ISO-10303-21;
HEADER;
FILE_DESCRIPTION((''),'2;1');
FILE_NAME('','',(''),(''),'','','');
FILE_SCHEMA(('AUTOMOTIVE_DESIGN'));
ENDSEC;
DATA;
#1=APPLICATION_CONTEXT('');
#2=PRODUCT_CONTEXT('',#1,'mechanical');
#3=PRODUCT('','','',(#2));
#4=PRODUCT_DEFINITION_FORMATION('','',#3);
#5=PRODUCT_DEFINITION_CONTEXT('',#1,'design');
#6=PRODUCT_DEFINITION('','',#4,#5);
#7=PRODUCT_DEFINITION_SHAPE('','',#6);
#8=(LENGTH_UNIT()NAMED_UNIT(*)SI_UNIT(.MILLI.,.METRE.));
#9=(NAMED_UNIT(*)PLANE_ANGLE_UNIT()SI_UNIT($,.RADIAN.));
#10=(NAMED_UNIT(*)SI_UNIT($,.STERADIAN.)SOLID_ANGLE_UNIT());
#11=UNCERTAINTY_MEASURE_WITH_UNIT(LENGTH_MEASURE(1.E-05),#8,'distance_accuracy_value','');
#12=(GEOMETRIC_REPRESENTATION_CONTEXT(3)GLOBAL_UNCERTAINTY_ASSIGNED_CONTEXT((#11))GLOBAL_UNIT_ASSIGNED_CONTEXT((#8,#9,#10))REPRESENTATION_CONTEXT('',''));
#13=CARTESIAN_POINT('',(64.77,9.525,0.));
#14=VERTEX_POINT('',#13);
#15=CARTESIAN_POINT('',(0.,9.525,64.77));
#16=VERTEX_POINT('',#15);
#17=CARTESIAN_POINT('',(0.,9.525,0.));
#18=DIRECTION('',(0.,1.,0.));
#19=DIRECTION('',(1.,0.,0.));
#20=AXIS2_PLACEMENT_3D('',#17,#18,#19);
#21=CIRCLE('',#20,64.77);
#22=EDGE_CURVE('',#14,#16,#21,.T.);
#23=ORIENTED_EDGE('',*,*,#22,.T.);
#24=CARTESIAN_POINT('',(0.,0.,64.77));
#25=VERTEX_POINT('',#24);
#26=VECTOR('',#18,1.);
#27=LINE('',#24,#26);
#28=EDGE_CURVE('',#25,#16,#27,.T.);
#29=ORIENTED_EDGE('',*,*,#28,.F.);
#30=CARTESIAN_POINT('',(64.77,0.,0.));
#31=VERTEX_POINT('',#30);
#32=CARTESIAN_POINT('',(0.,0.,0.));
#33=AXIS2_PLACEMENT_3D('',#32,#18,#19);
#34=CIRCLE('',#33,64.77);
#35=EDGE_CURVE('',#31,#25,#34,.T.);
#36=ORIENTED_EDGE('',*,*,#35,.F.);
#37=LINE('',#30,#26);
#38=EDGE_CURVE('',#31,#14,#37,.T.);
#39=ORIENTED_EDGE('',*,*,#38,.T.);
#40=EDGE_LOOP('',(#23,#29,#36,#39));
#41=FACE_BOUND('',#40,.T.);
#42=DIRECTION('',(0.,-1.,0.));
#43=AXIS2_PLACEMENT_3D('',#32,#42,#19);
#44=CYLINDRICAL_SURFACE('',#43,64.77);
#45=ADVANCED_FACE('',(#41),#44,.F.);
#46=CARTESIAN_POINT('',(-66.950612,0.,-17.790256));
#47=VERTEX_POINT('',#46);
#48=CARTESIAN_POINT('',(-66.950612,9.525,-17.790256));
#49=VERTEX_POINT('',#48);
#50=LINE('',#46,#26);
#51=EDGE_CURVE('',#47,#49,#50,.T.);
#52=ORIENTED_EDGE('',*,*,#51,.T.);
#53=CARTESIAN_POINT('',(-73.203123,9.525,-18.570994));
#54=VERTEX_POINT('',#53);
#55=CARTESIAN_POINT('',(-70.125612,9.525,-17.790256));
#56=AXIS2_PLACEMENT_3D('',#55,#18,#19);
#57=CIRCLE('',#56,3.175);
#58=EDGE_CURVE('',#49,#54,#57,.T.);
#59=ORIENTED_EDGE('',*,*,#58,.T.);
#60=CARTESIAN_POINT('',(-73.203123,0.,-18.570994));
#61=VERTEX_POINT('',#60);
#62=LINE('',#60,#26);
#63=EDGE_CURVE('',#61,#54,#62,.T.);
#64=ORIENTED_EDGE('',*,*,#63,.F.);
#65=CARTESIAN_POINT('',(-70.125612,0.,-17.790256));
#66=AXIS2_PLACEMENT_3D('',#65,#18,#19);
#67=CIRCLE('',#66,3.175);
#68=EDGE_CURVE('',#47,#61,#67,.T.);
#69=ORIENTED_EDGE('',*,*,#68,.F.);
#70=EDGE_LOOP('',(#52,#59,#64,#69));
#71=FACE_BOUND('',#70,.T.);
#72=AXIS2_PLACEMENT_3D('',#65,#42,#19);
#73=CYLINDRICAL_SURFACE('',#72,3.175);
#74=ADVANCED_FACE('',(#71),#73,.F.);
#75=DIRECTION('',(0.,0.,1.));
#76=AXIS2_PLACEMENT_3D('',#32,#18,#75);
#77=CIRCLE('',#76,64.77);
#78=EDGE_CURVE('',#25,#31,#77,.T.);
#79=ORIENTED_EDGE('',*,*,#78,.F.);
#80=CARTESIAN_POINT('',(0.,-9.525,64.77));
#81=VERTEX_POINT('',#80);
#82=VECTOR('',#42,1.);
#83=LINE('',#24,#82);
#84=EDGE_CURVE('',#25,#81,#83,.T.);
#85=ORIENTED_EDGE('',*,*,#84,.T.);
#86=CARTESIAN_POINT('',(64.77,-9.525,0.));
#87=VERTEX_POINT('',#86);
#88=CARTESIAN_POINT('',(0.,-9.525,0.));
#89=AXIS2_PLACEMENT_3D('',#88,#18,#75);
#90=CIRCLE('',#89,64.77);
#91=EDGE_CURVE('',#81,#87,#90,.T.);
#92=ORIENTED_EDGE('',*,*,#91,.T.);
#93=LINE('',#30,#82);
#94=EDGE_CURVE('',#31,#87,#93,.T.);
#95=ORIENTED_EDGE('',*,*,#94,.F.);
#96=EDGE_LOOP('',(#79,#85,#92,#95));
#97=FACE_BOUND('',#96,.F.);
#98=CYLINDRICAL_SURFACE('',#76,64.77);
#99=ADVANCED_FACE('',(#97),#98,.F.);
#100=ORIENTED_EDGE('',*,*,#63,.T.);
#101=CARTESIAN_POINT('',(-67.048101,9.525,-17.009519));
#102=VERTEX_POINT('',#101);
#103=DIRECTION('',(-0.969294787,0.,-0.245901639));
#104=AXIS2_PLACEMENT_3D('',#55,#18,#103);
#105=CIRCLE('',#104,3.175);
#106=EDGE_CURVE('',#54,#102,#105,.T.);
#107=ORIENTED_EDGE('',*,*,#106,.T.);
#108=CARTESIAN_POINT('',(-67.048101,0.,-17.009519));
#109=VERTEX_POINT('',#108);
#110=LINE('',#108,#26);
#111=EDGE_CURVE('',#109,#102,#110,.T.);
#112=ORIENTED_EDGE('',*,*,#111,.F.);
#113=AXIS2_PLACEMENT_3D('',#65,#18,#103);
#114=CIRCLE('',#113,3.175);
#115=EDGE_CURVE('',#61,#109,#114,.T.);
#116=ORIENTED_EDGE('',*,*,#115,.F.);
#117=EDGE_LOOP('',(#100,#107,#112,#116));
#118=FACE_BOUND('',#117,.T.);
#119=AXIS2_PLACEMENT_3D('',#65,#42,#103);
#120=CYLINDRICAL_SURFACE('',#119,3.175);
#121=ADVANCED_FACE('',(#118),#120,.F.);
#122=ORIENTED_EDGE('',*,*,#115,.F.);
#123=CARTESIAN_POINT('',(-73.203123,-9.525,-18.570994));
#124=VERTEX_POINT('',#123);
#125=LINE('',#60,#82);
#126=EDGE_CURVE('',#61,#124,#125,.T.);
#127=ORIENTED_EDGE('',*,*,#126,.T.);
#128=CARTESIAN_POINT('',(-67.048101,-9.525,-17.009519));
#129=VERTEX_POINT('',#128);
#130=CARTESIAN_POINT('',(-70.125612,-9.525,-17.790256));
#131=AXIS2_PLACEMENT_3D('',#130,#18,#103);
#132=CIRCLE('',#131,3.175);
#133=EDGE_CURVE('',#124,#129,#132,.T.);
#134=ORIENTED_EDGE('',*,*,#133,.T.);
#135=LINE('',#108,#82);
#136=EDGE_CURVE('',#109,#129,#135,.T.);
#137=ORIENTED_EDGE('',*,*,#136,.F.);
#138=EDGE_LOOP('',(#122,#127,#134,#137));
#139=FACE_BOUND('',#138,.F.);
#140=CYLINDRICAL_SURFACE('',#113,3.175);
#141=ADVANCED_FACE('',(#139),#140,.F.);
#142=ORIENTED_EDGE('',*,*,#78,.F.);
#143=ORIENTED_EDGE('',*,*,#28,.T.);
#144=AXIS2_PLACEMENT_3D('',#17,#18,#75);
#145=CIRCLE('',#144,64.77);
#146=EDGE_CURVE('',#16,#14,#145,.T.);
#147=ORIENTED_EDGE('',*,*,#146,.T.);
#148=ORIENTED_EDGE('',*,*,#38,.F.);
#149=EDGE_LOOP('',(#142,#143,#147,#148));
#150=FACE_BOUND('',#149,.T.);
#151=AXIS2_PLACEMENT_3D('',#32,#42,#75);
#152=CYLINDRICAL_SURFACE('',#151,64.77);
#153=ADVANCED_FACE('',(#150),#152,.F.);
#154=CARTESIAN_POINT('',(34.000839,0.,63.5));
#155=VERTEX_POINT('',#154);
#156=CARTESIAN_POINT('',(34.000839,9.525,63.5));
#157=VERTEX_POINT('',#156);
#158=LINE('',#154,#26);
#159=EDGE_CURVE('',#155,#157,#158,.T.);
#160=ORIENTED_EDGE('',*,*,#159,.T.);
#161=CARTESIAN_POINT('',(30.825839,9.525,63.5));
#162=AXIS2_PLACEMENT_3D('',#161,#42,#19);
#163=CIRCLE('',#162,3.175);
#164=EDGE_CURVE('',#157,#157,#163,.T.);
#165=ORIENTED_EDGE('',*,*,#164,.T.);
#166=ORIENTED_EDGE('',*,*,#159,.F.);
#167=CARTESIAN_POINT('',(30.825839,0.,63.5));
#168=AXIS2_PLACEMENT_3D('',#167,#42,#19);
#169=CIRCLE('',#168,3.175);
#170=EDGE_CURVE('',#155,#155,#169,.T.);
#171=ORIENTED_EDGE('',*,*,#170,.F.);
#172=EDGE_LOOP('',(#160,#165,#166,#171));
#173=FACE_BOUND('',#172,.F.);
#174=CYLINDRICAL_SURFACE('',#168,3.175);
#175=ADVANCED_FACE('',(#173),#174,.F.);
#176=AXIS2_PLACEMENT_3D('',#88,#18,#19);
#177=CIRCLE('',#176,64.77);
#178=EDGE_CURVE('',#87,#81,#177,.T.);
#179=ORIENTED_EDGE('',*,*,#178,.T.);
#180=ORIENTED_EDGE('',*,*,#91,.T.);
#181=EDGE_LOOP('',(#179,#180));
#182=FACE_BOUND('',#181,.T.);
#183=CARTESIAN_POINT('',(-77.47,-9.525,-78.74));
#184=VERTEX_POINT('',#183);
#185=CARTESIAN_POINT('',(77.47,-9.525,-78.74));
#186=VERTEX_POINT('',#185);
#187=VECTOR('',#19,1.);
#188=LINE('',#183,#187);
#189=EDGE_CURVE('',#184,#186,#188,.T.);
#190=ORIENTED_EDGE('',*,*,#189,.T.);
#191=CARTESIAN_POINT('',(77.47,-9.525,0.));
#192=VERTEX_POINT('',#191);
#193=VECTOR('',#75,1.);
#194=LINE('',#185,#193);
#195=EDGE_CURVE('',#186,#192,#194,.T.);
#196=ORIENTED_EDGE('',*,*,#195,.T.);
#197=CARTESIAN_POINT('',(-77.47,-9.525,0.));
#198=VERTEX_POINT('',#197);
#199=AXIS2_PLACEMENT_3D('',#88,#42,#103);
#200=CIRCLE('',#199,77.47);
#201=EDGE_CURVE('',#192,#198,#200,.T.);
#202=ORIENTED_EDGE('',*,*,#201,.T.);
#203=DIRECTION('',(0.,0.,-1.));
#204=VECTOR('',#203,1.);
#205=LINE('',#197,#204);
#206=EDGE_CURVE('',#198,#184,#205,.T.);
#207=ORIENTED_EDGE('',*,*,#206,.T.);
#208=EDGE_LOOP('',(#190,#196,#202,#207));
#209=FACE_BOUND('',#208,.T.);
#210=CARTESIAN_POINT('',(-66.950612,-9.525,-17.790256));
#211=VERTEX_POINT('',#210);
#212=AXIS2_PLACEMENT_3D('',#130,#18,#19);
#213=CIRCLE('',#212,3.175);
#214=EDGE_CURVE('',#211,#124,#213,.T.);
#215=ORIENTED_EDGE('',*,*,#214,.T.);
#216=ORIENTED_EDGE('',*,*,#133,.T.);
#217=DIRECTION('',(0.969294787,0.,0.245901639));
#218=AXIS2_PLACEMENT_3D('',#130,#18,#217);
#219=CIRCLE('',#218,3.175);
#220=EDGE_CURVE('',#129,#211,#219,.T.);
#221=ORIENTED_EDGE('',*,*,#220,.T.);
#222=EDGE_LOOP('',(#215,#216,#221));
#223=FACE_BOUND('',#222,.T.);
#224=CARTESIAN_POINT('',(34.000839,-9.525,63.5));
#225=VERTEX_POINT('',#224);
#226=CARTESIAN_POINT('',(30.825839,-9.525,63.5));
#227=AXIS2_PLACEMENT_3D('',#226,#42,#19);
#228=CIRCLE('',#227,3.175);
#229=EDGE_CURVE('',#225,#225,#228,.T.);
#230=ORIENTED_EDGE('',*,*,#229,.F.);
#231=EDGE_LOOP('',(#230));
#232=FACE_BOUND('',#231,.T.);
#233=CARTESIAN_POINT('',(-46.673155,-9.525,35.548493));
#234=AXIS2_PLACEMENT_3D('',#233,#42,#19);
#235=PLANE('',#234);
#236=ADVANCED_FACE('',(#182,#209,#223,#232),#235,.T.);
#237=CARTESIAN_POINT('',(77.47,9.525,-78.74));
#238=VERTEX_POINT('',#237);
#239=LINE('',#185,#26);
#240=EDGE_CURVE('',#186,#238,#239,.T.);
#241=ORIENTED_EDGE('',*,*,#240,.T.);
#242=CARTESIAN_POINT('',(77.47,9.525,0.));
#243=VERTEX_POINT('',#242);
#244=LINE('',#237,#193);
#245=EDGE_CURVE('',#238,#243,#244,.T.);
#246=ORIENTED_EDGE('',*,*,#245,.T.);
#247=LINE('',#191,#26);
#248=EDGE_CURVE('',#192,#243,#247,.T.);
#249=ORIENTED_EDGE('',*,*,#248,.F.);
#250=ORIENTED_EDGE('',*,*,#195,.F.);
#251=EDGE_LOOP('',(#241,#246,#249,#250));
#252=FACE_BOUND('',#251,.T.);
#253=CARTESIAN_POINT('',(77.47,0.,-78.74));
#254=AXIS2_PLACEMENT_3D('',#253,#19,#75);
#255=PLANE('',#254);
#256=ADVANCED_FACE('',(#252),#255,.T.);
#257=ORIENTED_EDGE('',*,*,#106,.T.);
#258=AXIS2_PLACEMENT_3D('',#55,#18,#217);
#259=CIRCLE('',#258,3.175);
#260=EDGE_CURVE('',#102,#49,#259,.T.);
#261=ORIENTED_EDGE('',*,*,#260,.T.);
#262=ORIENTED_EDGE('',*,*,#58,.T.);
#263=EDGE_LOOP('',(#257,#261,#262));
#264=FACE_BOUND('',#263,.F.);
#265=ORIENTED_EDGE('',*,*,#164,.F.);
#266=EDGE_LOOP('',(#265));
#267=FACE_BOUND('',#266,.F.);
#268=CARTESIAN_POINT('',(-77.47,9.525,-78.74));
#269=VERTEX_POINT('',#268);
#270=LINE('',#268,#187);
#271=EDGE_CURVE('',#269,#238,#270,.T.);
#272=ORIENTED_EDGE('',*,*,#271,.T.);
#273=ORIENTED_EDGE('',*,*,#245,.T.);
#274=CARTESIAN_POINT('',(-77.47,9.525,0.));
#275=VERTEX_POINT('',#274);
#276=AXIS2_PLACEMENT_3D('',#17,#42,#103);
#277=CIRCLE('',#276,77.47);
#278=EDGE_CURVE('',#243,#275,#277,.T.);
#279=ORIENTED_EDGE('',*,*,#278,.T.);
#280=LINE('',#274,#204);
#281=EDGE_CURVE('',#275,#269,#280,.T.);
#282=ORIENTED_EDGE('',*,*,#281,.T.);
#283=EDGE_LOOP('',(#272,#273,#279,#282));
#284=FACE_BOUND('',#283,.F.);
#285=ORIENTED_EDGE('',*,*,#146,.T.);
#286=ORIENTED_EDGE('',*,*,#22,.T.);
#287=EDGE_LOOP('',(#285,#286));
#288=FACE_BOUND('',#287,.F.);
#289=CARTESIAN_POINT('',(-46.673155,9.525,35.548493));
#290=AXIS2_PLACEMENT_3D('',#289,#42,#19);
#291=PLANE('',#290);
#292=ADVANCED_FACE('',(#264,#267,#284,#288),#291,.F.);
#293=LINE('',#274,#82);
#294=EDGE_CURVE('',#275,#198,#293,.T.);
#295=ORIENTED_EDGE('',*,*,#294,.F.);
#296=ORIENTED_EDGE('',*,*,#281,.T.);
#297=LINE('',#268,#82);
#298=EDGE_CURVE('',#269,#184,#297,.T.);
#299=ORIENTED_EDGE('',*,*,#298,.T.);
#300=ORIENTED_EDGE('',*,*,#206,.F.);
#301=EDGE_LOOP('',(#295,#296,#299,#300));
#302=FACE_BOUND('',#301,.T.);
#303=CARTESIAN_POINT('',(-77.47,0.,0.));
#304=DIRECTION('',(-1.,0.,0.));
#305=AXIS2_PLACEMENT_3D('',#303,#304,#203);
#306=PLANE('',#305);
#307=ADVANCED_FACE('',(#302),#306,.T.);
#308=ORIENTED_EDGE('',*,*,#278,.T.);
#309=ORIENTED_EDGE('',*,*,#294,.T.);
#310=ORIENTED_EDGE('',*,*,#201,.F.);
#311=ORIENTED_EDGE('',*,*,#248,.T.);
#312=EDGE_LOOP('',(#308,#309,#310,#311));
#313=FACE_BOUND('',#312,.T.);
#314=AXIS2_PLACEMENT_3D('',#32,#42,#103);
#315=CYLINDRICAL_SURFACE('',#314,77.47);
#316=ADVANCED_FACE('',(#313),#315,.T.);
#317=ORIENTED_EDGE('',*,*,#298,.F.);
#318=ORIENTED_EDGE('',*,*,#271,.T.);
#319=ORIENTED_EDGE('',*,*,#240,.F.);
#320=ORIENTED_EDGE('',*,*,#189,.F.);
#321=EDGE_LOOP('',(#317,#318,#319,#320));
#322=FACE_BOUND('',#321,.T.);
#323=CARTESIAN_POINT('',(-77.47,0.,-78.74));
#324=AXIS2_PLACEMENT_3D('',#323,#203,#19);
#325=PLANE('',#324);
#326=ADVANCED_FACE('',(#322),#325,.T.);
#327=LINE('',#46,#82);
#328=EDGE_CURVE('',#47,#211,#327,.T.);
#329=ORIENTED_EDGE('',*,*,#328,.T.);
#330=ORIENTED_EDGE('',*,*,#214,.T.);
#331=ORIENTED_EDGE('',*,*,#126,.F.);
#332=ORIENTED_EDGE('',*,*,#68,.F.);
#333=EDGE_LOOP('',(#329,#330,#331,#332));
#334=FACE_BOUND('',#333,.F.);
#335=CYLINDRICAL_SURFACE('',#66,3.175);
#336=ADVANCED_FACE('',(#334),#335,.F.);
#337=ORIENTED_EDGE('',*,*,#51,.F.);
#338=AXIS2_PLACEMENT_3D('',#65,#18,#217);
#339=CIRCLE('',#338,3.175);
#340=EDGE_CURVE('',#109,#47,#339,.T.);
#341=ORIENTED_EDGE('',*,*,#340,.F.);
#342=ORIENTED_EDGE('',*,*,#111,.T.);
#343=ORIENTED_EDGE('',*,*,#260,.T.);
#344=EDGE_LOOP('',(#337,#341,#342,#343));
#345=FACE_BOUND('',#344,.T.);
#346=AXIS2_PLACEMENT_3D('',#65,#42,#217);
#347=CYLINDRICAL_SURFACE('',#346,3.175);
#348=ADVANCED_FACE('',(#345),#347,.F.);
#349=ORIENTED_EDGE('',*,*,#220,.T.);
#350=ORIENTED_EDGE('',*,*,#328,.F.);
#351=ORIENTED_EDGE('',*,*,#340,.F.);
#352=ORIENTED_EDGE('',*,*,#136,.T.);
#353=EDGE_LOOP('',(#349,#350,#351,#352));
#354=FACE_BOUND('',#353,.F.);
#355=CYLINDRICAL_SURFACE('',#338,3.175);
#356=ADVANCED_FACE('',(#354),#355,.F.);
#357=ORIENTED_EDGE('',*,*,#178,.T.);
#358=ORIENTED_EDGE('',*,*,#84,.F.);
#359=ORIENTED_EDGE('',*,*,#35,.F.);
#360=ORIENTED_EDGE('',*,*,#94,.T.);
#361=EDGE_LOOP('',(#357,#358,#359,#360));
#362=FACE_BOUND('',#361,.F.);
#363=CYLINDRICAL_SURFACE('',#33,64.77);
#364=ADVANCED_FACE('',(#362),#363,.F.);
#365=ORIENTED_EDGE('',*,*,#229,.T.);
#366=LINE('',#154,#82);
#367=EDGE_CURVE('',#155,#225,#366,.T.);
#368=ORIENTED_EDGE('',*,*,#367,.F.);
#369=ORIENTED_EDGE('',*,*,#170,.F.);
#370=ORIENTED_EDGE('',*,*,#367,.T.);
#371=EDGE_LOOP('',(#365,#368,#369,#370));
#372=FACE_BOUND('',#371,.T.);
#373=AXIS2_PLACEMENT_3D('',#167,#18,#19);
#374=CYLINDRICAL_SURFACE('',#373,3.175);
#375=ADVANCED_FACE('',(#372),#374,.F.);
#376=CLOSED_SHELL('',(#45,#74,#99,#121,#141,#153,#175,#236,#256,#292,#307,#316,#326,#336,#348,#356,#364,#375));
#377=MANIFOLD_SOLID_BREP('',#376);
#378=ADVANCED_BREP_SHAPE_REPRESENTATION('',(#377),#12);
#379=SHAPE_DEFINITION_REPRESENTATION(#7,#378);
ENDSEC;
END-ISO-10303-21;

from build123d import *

# Parameters (mm, degrees)
F0_R          = 3.175
F1_DEPTH      = 9.525
F1_DEPTH_BACK = 9.525


with BuildPart() as f1:
    # F0 (on Front) → F1 (new body, two sides)
    with BuildSketch(Plane.XZ) as f1_sk:
        with BuildLine():
            Line((-67.0481007232, -17.009518783), (-62.7812233427, -15.9270491803))
            ThreePointArc((-62.7812233427, -15.9270491803), (-51.1211691739, 39.7715848602), (0, 64.77))
            Line((0, 64.77), (0, 77.47))
            ThreePointArc((0, 77.47), (-54.7795623385, 54.7795623385), (-77.47, 0))
            ThreePointArc((-77.47, 0), (-76.8730166085, -9.5989696067), (-75.0912671354, -19.05))
            Line((-75.0912671354, -19.05), (-73.2031226195, -18.5709941928))
            ThreePointArc((-73.2031226195, -18.5709941928), (-70.9063493763, -14.7127455397), (-67.0481007232, -17.009518783))
        make_face()
        with BuildLine():
            ThreePointArc((64.77, 0), (8.0253680318, -64.2708827382), (-62.7812233427, -15.9270491803))
            Line((-62.7812233427, -15.9270491803), (-67.0481007232, -17.009518783))
            ThreePointArc((-67.0481007232, -17.009518783), (-66.9750782038, -17.3968560942), (-66.9506116714, -17.7902564879))
            ThreePointArc((-66.9506116714, -17.7902564879), (-69.7322112776, -20.9407899554), (-73.2031226195, -18.5709941928))
            Line((-73.2031226195, -18.5709941928), (-75.0912671354, -19.05))
            ThreePointArc((-75.0912671354, -19.05), (9.5989696067, -76.8730166085), (77.47, 0))
            ThreePointArc((77.47, 0), (54.7795623385, 54.7795623385), (0, 77.47))
            Line((0, 77.47), (0, 64.77))
            ThreePointArc((0, 64.77), (45.7993062175, 45.7993062175), (64.77, 0))
        make_face()
        with Locations((30.8258392699, 63.5)):
            Circle(F0_R, mode=Mode.SUBTRACT)
        with BuildLine():
            Line((77.47, -78.74), (77.47, 0))
            ThreePointArc((77.47, 0), (9.5989696067, -76.8730166085), (-75.0912671354, -19.05))
            Line((-75.0912671354, -19.05), (-77.47, -19.6534637954))
            Line((-77.47, -19.6534637954), (-77.47, -78.74))
            Line((-77.47, -78.74), (77.47, -78.74))
        make_face()
        with BuildLine():
            ThreePointArc((-75.0912671354, -19.05), (-76.8730166085, -9.5989696067), (-77.47, 0))
            Line((-77.47, 0), (-77.47, -19.6534637954))
            Line((-77.47, -19.6534637954), (-75.0912671354, -19.05))
        make_face()
    extrude(amount=F1_DEPTH)
    extrude(f1_sk.sketch, amount=-F1_DEPTH_BACK)


solid = f1.part
